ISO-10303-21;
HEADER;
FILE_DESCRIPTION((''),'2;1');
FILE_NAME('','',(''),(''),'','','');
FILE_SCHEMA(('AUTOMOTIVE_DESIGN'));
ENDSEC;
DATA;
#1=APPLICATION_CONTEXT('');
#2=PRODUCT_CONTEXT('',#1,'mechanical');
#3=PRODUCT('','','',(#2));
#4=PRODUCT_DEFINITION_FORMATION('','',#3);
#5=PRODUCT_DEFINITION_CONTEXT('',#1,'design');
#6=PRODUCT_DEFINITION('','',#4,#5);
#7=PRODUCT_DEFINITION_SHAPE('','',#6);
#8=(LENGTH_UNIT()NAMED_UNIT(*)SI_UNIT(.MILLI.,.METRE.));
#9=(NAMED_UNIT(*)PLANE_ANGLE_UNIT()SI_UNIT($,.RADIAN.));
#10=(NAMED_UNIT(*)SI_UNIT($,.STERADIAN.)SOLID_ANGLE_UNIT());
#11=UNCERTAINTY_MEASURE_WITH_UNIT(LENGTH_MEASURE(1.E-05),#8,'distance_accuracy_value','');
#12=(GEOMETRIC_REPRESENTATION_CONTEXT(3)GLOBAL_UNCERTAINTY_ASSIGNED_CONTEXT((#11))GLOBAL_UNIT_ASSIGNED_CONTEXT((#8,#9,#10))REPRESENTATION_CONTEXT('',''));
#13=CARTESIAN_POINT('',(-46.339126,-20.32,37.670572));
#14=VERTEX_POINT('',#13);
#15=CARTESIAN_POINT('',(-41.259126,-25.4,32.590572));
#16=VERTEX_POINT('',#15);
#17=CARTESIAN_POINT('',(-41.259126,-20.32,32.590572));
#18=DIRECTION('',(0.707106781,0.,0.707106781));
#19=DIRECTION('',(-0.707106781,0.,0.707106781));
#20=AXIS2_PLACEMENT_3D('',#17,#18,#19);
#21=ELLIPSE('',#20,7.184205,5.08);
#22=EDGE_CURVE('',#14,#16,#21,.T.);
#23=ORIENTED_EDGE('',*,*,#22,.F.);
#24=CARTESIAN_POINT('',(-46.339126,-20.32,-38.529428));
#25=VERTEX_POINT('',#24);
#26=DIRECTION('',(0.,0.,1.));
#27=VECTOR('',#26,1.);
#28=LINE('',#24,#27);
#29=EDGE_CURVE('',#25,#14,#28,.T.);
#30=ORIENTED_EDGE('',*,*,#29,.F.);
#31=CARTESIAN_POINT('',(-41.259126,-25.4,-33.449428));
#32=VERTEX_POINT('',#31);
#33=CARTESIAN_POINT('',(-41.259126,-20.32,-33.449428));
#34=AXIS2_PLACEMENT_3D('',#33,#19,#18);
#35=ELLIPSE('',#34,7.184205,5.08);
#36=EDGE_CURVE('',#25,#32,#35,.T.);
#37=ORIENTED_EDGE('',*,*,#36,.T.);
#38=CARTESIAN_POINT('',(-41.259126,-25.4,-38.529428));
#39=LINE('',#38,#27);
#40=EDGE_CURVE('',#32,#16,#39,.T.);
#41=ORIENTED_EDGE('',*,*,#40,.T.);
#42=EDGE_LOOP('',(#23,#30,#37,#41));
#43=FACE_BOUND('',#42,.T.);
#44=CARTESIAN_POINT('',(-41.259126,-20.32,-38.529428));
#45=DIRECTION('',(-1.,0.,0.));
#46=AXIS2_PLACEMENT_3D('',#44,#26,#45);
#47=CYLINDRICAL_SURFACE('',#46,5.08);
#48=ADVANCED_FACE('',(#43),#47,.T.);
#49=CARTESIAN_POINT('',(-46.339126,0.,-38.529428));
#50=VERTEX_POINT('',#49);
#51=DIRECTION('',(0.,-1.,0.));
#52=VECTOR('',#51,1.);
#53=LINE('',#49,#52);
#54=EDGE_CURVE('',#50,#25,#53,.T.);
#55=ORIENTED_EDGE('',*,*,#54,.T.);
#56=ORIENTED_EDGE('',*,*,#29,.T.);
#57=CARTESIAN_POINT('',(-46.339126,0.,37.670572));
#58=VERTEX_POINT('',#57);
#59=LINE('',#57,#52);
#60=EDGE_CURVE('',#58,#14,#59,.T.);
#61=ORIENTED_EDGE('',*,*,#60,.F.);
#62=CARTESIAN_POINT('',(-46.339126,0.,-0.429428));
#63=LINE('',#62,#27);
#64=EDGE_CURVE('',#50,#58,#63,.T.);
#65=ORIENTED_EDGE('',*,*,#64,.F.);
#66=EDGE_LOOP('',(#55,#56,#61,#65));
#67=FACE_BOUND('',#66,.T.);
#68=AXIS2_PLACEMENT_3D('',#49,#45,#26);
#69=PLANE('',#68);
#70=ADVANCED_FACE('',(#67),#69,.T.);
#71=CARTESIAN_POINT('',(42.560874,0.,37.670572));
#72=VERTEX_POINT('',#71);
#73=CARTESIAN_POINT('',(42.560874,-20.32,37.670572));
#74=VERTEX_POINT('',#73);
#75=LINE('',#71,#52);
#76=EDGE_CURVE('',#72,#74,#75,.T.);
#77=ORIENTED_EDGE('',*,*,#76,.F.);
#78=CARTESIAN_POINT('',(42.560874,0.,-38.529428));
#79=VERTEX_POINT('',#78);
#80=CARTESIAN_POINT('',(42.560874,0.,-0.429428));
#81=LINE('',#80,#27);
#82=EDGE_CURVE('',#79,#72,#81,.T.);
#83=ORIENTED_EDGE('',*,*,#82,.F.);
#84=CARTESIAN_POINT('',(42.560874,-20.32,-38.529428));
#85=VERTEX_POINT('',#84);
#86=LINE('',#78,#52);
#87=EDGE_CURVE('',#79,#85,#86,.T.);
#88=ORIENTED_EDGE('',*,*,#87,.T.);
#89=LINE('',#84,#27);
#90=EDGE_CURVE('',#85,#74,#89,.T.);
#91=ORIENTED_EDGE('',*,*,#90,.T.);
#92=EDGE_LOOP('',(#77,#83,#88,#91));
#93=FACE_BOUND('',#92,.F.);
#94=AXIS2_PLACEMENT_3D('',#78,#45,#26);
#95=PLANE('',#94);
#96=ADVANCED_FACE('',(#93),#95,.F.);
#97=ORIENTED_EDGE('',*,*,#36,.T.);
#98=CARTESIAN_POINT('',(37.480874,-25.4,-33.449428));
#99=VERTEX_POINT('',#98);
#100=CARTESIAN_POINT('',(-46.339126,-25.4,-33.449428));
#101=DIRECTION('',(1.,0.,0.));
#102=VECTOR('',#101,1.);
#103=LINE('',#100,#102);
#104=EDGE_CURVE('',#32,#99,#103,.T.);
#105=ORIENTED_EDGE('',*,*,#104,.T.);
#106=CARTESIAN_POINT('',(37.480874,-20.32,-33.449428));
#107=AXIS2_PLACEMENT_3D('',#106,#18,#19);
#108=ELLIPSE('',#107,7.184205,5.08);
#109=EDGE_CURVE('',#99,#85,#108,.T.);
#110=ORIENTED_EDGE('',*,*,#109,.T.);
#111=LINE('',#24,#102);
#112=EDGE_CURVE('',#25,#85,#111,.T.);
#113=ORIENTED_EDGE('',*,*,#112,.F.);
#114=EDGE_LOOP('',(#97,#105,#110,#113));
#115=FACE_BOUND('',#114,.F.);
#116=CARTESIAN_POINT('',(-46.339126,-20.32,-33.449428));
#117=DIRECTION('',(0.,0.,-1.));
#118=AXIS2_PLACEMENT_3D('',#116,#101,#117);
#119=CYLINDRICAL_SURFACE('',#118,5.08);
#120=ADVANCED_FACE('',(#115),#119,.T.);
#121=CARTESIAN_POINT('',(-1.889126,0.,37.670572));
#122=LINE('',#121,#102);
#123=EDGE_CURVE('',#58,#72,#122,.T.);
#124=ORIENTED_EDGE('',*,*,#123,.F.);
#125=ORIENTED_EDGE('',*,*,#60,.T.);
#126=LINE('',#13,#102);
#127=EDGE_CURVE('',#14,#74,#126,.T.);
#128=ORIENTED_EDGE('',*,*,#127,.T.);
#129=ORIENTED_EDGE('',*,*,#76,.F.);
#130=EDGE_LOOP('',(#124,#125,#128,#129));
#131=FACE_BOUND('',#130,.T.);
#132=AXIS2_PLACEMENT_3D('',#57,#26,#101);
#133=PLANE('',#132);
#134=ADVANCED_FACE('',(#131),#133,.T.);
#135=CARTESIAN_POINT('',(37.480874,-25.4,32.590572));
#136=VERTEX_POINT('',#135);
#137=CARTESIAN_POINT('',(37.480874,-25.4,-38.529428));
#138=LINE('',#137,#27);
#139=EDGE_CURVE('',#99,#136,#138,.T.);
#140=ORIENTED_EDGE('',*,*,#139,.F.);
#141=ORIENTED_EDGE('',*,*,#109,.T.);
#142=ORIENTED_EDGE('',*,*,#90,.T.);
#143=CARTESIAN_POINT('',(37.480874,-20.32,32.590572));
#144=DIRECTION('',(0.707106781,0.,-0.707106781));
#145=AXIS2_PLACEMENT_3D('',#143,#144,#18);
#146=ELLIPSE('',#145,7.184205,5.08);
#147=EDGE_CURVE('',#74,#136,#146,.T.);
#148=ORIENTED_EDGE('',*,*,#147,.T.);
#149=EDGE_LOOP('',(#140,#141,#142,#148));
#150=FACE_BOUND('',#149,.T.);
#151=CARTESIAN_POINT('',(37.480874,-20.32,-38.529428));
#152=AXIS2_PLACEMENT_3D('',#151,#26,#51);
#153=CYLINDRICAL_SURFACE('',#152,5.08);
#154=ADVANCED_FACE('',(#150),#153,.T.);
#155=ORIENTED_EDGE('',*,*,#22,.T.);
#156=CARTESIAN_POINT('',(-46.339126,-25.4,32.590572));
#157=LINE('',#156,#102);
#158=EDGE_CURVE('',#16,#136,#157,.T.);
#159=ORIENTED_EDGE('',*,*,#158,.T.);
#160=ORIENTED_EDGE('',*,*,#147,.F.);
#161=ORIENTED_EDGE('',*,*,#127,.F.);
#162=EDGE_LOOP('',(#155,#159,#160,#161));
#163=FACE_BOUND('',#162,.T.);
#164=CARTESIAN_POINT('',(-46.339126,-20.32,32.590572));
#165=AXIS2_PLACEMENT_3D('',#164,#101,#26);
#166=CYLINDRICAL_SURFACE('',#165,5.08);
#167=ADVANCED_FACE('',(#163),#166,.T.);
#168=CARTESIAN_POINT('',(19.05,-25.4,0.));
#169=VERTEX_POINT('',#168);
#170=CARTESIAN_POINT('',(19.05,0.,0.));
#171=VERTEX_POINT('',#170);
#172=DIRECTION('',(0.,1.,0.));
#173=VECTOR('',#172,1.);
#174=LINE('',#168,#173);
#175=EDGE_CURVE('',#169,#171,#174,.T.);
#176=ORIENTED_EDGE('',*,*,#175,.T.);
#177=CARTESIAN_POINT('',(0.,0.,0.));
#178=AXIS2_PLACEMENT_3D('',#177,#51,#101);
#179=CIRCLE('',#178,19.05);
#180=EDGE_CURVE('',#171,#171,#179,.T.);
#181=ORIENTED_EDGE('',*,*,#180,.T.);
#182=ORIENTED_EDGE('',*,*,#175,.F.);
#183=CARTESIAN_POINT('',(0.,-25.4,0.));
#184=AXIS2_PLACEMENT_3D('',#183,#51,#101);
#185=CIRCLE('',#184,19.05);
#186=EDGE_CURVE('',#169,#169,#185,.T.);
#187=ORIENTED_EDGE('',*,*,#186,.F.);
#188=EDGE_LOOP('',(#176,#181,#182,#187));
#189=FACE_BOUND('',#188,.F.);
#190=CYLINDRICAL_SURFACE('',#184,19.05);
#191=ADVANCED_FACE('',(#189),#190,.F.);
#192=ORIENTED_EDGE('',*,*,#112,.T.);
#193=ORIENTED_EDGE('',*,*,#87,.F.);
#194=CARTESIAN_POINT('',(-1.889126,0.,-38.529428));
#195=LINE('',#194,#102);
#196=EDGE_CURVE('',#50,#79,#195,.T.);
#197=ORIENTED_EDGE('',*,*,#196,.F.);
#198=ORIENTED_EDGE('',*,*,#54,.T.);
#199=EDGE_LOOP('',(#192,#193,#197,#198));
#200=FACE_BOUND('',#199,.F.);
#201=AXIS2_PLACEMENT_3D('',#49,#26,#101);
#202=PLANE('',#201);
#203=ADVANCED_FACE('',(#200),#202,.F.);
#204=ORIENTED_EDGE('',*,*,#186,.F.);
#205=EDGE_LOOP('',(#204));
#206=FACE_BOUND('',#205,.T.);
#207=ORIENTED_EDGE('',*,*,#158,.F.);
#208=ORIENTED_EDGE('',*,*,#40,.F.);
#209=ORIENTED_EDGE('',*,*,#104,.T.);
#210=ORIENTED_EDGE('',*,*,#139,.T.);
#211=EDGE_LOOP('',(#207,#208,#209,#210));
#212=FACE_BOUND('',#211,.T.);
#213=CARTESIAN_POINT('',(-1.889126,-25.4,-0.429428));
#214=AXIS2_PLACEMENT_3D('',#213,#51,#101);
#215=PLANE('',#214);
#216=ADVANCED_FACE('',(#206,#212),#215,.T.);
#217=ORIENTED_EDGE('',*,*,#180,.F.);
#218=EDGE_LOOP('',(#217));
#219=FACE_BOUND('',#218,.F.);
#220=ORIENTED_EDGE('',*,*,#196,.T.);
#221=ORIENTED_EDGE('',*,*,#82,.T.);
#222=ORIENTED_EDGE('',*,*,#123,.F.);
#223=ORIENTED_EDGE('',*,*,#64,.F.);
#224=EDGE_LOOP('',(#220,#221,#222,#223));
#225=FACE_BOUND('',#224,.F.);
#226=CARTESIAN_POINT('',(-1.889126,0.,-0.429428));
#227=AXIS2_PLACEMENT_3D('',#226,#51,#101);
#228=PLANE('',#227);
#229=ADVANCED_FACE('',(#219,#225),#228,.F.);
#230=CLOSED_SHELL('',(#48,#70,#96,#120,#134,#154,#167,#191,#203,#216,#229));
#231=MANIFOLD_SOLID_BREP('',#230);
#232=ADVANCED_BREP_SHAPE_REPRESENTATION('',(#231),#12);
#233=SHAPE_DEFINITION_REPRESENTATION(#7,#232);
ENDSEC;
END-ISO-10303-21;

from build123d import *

# Parameters (mm, degrees)
F0_W     = 88.9
F0_H     = 76.2
F1_DEPTH = 25.4
F2_R     = 19.05
F3_DEPTH = 25.4
F4_R     = 5.08


with BuildPart() as f1:
    # F0 (on Front) → F1 (new body)
    with BuildSketch(Plane.XZ):
        with Locations((-1.889126, -0.429428)):
            Rectangle(F0_W, F0_H)
    extrude(amount=F1_DEPTH)

    # F2 (on face) → F3 (cut)
    with BuildSketch(Plane.XZ.offset(25.4)):
        Circle(F2_R)
    extrude(amount=-F3_DEPTH, mode=Mode.SUBTRACT)

    # F4
    f4_edges = [f1.edges().sort_by_distance(p)[0] for p in [
        (-46.339126, -25.4, -0.429428),
        (-1.889126, -25.4, 37.670572),
        (42.560874, -25.4, -0.429428),
        (-1.889126, -25.4, -38.529428),
    ]]
    fillet(f4_edges, radius=F4_R)


solid = f1.part
